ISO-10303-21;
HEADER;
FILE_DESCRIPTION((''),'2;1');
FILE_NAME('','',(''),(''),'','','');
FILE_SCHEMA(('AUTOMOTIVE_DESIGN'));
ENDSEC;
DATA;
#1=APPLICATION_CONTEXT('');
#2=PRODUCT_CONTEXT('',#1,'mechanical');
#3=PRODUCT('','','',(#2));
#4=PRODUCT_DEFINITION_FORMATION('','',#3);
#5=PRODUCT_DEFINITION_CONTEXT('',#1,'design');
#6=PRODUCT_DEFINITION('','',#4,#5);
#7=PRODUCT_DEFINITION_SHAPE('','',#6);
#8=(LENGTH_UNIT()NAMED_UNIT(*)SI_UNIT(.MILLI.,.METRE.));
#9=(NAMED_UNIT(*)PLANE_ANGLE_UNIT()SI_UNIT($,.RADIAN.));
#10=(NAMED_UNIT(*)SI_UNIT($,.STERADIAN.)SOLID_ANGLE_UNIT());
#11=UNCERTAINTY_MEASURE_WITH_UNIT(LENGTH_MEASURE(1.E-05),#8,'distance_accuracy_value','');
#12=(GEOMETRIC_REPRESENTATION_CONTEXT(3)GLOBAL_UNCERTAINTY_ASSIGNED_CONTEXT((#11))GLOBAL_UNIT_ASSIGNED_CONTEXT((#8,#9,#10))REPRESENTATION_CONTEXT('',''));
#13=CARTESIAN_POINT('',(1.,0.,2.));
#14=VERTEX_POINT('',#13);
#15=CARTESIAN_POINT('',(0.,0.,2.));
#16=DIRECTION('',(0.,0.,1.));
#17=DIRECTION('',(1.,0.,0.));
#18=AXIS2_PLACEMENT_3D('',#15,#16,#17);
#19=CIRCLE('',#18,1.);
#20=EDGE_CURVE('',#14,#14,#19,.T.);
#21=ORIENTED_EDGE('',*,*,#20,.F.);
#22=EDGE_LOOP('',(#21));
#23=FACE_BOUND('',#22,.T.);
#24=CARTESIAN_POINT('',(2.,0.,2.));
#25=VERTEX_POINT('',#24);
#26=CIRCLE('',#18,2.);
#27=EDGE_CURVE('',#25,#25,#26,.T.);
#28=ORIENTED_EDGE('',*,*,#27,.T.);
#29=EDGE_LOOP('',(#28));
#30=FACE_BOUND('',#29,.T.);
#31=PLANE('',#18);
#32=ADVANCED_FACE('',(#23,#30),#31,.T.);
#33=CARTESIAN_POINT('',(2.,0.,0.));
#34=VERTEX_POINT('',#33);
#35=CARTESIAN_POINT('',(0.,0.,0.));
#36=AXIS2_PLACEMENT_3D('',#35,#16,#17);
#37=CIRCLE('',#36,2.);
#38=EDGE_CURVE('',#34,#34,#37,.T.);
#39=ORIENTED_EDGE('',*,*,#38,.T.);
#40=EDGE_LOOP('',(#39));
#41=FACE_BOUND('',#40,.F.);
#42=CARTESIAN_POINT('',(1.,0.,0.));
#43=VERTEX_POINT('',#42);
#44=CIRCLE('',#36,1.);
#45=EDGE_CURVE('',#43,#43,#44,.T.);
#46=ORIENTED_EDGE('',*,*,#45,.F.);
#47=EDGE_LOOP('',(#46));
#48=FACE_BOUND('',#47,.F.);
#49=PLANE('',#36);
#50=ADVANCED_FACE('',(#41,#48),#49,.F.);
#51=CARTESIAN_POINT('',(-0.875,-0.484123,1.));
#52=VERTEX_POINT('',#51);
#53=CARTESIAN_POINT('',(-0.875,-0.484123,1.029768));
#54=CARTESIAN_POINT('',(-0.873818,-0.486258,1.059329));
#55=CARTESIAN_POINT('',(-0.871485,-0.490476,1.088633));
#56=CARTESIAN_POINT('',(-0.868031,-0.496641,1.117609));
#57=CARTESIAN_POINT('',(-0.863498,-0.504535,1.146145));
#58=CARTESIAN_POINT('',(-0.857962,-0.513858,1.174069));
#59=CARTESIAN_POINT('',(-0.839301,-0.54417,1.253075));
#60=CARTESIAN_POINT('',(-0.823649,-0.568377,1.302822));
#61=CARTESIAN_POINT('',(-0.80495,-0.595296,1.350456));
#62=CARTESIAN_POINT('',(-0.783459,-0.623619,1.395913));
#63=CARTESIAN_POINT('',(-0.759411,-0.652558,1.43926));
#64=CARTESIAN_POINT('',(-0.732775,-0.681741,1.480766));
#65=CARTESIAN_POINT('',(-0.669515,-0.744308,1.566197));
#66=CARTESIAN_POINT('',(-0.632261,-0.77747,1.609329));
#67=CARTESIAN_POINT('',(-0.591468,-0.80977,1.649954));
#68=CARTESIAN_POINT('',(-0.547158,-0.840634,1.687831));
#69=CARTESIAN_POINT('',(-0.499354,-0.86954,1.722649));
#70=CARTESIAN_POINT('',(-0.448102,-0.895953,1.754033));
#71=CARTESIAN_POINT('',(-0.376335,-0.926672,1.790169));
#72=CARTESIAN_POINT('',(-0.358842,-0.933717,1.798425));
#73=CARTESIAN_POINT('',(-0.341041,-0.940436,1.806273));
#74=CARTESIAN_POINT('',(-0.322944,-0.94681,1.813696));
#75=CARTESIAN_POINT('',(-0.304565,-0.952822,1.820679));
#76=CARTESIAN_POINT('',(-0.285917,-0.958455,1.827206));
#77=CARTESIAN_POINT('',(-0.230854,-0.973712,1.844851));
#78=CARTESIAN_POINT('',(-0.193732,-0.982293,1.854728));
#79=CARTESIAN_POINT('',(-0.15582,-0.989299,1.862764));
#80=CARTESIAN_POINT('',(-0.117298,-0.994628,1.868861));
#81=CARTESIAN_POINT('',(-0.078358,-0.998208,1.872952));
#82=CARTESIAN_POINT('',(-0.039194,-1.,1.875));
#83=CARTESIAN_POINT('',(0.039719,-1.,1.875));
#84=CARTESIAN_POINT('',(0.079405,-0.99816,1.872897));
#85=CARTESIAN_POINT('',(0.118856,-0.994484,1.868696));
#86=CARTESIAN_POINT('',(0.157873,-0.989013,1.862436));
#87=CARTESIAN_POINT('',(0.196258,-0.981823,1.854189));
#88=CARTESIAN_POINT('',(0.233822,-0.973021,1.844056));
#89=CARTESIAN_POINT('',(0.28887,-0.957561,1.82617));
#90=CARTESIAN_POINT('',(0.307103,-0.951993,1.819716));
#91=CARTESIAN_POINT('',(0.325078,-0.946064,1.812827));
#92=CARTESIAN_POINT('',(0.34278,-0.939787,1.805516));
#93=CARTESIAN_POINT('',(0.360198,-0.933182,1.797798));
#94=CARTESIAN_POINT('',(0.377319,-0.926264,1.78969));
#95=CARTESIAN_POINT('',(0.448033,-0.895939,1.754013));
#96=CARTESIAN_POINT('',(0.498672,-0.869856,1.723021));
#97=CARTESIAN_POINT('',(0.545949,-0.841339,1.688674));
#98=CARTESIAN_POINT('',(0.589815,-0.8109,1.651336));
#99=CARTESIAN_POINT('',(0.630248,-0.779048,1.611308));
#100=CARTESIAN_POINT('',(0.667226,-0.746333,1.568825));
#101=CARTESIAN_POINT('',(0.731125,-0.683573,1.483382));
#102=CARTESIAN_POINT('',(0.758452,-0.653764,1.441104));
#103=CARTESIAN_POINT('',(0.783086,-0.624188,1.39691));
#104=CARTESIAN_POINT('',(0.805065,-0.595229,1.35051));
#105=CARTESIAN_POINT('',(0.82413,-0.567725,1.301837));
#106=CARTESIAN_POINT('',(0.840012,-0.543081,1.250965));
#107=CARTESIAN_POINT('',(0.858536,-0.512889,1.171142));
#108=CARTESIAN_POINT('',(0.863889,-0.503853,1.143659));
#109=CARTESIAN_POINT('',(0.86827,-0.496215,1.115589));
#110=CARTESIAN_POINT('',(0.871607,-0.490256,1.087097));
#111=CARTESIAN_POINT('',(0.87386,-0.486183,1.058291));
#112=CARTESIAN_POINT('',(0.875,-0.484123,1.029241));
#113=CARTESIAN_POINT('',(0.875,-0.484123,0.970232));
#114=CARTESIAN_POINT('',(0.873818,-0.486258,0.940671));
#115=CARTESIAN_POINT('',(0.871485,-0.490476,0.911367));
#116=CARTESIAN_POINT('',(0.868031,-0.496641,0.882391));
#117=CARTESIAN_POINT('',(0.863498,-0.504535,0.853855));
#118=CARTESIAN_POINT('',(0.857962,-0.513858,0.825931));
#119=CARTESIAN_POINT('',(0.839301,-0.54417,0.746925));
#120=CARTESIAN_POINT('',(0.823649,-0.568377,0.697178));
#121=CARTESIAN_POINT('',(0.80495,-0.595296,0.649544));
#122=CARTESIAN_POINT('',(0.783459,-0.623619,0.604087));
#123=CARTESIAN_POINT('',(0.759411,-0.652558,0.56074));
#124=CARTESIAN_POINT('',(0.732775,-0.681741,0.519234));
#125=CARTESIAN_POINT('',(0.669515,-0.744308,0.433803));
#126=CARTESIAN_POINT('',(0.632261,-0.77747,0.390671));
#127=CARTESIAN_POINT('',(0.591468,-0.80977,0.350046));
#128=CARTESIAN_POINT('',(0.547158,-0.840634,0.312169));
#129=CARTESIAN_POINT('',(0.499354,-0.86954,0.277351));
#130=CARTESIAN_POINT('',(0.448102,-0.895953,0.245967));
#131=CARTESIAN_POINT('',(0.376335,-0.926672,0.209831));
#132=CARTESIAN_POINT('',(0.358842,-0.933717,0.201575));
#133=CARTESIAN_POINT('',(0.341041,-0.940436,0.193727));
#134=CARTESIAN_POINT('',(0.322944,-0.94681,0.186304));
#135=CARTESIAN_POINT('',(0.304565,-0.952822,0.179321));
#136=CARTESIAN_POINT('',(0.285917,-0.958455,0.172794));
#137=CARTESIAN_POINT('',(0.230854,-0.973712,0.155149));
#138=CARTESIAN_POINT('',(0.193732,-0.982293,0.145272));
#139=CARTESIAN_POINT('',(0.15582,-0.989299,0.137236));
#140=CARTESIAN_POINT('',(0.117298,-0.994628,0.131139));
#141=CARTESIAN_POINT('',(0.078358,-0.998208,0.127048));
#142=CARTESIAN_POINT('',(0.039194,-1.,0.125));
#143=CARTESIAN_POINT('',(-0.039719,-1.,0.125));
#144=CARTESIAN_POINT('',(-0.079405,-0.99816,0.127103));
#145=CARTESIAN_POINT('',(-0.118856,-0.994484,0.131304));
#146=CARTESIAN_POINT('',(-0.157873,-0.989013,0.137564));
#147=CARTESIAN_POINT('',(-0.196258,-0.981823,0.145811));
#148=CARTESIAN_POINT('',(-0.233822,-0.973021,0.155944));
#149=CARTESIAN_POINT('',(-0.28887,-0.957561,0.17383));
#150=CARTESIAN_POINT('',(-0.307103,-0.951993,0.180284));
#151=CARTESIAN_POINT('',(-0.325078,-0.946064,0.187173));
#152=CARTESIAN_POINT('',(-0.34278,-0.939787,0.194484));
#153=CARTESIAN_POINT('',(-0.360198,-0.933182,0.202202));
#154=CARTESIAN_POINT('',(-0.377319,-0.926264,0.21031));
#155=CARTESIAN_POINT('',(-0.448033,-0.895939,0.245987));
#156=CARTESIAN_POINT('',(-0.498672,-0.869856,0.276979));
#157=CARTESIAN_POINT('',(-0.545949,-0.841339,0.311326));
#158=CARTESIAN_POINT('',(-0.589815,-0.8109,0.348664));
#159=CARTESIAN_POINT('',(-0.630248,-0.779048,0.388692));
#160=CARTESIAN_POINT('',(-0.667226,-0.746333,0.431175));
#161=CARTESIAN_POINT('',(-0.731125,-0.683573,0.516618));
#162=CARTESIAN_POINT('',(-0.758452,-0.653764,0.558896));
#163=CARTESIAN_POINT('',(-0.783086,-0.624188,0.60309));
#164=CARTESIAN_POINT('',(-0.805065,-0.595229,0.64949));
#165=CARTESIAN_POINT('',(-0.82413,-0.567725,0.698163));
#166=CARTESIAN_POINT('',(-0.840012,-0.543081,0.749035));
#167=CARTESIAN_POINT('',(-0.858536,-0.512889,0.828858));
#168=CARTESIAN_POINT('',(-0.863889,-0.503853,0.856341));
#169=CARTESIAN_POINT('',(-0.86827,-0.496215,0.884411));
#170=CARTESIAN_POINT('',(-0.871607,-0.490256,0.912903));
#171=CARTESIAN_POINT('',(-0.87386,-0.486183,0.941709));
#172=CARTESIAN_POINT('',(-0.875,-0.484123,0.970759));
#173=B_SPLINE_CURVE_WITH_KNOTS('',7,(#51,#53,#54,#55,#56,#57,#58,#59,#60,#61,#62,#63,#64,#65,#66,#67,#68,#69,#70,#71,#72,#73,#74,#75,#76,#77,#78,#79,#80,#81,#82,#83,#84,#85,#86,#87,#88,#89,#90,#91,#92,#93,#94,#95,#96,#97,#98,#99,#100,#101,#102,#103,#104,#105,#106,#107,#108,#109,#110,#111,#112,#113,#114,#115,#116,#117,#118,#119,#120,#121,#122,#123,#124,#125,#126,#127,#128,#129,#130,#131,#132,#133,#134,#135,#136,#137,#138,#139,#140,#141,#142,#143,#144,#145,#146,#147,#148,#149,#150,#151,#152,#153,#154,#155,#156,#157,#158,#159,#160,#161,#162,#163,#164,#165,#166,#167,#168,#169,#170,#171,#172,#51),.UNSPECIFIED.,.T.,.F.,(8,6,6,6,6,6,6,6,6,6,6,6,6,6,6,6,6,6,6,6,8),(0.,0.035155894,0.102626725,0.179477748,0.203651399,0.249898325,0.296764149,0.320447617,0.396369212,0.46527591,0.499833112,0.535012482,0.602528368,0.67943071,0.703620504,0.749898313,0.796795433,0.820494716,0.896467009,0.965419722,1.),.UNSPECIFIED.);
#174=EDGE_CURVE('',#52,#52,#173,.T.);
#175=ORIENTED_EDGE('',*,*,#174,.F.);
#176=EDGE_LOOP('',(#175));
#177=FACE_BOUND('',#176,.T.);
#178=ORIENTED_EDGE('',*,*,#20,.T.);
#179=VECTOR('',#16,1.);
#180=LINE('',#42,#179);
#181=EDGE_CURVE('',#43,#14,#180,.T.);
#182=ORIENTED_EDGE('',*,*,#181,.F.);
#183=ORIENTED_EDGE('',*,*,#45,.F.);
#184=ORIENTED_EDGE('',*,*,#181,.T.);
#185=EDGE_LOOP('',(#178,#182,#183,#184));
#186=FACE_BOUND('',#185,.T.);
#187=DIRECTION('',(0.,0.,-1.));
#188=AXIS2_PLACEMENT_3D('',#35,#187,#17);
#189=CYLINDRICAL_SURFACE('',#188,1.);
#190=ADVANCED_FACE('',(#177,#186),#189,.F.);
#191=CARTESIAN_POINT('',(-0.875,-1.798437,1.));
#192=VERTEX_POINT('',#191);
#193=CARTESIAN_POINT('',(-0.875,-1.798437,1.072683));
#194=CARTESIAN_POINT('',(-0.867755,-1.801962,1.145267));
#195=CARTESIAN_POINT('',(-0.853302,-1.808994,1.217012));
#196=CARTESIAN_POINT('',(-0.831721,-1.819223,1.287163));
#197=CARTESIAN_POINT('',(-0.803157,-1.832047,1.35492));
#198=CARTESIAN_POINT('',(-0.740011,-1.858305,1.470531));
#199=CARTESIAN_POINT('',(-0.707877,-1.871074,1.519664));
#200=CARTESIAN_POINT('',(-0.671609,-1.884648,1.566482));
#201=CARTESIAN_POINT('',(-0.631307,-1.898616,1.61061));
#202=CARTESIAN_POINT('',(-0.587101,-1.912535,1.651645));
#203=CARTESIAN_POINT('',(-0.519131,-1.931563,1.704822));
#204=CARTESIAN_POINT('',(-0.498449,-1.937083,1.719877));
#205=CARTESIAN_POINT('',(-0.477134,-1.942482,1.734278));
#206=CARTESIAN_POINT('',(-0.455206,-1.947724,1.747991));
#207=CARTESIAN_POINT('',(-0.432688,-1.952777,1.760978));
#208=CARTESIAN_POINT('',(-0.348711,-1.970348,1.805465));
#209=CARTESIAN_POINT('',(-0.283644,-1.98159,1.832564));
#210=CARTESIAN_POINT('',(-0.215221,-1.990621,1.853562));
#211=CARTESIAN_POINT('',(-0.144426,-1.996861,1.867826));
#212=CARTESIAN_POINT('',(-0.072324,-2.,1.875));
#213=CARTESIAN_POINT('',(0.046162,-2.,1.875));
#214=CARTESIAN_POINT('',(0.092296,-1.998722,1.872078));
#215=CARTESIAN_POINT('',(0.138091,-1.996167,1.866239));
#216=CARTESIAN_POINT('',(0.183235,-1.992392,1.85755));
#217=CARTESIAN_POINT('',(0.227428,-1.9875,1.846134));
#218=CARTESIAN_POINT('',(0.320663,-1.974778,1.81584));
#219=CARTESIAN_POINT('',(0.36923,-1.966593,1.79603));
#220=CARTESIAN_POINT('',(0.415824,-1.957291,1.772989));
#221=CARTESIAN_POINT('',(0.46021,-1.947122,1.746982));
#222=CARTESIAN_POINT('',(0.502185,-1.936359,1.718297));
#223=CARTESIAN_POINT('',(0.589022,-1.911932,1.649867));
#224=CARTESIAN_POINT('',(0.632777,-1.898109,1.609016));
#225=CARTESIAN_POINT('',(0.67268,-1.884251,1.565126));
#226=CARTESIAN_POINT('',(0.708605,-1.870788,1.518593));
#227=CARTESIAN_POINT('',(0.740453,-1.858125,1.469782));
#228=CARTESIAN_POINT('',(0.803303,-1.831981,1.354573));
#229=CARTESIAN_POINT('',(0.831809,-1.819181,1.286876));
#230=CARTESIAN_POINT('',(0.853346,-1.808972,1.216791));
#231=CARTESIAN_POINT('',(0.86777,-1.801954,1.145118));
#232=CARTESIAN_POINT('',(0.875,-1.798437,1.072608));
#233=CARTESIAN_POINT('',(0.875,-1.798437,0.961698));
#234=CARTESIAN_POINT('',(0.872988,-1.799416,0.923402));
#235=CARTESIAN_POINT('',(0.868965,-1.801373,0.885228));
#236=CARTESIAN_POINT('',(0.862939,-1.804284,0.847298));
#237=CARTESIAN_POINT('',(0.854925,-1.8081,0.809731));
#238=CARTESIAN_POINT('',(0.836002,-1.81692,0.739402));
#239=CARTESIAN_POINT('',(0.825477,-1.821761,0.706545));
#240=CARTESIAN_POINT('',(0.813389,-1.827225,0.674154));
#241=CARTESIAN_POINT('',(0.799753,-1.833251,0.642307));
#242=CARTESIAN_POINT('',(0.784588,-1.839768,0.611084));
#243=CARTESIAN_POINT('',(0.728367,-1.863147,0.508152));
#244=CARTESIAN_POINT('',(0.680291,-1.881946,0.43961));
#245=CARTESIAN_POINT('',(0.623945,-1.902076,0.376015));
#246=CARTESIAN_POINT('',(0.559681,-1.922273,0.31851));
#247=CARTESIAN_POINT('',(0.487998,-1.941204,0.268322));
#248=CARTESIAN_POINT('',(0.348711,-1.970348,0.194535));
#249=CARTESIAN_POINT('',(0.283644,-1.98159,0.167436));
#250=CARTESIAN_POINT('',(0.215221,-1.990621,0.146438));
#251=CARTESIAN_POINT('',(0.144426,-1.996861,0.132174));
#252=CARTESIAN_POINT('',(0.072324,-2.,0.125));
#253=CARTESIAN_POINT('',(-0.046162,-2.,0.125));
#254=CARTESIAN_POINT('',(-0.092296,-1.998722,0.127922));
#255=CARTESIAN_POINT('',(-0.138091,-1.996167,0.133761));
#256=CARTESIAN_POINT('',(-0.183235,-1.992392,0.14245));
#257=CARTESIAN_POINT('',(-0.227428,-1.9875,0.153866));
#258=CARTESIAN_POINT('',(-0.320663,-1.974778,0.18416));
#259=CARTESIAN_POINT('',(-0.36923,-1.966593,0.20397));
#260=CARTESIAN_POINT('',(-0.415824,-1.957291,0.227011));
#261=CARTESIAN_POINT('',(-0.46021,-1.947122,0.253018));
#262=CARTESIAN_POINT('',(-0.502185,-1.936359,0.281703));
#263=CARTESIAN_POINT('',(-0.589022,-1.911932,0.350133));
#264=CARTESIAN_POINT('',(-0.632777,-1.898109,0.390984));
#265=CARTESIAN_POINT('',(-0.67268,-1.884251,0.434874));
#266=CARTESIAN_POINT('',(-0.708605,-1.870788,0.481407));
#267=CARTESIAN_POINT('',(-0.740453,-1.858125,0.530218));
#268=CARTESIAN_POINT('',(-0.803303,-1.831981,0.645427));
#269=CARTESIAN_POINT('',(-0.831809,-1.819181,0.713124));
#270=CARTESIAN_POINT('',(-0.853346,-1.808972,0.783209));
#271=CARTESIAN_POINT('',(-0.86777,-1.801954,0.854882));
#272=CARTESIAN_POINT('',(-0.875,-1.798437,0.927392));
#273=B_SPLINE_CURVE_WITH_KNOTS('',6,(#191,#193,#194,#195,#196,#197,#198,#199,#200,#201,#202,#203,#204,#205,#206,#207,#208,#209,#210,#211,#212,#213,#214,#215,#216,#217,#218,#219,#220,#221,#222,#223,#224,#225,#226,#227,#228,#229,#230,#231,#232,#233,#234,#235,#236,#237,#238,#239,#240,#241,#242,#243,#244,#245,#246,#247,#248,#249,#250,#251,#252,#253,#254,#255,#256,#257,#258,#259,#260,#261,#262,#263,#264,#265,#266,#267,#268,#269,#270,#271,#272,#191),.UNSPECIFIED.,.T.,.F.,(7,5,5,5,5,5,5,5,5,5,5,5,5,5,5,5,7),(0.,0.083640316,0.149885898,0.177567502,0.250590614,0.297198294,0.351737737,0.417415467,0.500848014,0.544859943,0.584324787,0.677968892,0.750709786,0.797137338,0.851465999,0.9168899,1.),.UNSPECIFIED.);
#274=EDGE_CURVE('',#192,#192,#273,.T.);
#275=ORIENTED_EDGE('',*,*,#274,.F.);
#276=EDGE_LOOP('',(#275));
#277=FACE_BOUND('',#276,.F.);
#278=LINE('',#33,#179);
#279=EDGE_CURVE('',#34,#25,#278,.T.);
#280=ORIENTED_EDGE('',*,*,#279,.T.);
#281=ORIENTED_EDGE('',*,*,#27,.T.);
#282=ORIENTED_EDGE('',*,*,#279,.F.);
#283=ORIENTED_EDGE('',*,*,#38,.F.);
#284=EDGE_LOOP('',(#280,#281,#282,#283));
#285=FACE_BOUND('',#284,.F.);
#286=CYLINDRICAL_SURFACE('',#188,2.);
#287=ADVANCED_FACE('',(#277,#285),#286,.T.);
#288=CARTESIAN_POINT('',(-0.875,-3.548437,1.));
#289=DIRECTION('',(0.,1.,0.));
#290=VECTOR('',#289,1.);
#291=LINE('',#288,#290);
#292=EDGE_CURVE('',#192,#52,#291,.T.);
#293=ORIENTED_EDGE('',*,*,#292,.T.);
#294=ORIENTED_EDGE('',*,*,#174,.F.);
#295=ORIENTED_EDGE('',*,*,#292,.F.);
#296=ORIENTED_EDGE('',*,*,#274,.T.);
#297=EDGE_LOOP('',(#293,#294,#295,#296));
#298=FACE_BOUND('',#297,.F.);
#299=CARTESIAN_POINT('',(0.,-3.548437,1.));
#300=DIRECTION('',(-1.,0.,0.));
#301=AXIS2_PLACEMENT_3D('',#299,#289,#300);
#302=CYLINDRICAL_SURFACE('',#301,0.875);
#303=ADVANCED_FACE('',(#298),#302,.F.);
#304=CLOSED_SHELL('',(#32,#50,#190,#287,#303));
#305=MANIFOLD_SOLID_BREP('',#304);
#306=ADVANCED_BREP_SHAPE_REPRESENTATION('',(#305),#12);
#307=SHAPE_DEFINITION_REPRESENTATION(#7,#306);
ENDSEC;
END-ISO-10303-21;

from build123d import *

# Parameters (mm, degrees)
F0_R     = 2
F0_R_2   = 1
F1_DEPTH = 2
F4_D     = 1.75
F4_DEPTH = 1.75
F4_START = 0.2015633
F4_TIP   = 0.5257530416


with BuildPart() as f1:
    # F0 (on Top) → F1 (new body)
    with BuildSketch(Plane.XY):
        Circle(F0_R)
        Circle(F0_R_2, mode=Mode.SUBTRACT)
    extrude(amount=F1_DEPTH)

    # F4
    # its depths count from where the whole tool has entered the part; down to there all is cleared
    with Locations(Plane.XZ.offset(2).offset(-F4_START)):
        with Locations((0, 1)):
            Hole(F4_D / 2, depth=F4_DEPTH)
            with Locations((0, 0, -(F4_DEPTH + F4_TIP / 2))):  # 118° drill point
                Cone(0, F4_D / 2, F4_TIP, mode=Mode.SUBTRACT)


solid = f1.part
